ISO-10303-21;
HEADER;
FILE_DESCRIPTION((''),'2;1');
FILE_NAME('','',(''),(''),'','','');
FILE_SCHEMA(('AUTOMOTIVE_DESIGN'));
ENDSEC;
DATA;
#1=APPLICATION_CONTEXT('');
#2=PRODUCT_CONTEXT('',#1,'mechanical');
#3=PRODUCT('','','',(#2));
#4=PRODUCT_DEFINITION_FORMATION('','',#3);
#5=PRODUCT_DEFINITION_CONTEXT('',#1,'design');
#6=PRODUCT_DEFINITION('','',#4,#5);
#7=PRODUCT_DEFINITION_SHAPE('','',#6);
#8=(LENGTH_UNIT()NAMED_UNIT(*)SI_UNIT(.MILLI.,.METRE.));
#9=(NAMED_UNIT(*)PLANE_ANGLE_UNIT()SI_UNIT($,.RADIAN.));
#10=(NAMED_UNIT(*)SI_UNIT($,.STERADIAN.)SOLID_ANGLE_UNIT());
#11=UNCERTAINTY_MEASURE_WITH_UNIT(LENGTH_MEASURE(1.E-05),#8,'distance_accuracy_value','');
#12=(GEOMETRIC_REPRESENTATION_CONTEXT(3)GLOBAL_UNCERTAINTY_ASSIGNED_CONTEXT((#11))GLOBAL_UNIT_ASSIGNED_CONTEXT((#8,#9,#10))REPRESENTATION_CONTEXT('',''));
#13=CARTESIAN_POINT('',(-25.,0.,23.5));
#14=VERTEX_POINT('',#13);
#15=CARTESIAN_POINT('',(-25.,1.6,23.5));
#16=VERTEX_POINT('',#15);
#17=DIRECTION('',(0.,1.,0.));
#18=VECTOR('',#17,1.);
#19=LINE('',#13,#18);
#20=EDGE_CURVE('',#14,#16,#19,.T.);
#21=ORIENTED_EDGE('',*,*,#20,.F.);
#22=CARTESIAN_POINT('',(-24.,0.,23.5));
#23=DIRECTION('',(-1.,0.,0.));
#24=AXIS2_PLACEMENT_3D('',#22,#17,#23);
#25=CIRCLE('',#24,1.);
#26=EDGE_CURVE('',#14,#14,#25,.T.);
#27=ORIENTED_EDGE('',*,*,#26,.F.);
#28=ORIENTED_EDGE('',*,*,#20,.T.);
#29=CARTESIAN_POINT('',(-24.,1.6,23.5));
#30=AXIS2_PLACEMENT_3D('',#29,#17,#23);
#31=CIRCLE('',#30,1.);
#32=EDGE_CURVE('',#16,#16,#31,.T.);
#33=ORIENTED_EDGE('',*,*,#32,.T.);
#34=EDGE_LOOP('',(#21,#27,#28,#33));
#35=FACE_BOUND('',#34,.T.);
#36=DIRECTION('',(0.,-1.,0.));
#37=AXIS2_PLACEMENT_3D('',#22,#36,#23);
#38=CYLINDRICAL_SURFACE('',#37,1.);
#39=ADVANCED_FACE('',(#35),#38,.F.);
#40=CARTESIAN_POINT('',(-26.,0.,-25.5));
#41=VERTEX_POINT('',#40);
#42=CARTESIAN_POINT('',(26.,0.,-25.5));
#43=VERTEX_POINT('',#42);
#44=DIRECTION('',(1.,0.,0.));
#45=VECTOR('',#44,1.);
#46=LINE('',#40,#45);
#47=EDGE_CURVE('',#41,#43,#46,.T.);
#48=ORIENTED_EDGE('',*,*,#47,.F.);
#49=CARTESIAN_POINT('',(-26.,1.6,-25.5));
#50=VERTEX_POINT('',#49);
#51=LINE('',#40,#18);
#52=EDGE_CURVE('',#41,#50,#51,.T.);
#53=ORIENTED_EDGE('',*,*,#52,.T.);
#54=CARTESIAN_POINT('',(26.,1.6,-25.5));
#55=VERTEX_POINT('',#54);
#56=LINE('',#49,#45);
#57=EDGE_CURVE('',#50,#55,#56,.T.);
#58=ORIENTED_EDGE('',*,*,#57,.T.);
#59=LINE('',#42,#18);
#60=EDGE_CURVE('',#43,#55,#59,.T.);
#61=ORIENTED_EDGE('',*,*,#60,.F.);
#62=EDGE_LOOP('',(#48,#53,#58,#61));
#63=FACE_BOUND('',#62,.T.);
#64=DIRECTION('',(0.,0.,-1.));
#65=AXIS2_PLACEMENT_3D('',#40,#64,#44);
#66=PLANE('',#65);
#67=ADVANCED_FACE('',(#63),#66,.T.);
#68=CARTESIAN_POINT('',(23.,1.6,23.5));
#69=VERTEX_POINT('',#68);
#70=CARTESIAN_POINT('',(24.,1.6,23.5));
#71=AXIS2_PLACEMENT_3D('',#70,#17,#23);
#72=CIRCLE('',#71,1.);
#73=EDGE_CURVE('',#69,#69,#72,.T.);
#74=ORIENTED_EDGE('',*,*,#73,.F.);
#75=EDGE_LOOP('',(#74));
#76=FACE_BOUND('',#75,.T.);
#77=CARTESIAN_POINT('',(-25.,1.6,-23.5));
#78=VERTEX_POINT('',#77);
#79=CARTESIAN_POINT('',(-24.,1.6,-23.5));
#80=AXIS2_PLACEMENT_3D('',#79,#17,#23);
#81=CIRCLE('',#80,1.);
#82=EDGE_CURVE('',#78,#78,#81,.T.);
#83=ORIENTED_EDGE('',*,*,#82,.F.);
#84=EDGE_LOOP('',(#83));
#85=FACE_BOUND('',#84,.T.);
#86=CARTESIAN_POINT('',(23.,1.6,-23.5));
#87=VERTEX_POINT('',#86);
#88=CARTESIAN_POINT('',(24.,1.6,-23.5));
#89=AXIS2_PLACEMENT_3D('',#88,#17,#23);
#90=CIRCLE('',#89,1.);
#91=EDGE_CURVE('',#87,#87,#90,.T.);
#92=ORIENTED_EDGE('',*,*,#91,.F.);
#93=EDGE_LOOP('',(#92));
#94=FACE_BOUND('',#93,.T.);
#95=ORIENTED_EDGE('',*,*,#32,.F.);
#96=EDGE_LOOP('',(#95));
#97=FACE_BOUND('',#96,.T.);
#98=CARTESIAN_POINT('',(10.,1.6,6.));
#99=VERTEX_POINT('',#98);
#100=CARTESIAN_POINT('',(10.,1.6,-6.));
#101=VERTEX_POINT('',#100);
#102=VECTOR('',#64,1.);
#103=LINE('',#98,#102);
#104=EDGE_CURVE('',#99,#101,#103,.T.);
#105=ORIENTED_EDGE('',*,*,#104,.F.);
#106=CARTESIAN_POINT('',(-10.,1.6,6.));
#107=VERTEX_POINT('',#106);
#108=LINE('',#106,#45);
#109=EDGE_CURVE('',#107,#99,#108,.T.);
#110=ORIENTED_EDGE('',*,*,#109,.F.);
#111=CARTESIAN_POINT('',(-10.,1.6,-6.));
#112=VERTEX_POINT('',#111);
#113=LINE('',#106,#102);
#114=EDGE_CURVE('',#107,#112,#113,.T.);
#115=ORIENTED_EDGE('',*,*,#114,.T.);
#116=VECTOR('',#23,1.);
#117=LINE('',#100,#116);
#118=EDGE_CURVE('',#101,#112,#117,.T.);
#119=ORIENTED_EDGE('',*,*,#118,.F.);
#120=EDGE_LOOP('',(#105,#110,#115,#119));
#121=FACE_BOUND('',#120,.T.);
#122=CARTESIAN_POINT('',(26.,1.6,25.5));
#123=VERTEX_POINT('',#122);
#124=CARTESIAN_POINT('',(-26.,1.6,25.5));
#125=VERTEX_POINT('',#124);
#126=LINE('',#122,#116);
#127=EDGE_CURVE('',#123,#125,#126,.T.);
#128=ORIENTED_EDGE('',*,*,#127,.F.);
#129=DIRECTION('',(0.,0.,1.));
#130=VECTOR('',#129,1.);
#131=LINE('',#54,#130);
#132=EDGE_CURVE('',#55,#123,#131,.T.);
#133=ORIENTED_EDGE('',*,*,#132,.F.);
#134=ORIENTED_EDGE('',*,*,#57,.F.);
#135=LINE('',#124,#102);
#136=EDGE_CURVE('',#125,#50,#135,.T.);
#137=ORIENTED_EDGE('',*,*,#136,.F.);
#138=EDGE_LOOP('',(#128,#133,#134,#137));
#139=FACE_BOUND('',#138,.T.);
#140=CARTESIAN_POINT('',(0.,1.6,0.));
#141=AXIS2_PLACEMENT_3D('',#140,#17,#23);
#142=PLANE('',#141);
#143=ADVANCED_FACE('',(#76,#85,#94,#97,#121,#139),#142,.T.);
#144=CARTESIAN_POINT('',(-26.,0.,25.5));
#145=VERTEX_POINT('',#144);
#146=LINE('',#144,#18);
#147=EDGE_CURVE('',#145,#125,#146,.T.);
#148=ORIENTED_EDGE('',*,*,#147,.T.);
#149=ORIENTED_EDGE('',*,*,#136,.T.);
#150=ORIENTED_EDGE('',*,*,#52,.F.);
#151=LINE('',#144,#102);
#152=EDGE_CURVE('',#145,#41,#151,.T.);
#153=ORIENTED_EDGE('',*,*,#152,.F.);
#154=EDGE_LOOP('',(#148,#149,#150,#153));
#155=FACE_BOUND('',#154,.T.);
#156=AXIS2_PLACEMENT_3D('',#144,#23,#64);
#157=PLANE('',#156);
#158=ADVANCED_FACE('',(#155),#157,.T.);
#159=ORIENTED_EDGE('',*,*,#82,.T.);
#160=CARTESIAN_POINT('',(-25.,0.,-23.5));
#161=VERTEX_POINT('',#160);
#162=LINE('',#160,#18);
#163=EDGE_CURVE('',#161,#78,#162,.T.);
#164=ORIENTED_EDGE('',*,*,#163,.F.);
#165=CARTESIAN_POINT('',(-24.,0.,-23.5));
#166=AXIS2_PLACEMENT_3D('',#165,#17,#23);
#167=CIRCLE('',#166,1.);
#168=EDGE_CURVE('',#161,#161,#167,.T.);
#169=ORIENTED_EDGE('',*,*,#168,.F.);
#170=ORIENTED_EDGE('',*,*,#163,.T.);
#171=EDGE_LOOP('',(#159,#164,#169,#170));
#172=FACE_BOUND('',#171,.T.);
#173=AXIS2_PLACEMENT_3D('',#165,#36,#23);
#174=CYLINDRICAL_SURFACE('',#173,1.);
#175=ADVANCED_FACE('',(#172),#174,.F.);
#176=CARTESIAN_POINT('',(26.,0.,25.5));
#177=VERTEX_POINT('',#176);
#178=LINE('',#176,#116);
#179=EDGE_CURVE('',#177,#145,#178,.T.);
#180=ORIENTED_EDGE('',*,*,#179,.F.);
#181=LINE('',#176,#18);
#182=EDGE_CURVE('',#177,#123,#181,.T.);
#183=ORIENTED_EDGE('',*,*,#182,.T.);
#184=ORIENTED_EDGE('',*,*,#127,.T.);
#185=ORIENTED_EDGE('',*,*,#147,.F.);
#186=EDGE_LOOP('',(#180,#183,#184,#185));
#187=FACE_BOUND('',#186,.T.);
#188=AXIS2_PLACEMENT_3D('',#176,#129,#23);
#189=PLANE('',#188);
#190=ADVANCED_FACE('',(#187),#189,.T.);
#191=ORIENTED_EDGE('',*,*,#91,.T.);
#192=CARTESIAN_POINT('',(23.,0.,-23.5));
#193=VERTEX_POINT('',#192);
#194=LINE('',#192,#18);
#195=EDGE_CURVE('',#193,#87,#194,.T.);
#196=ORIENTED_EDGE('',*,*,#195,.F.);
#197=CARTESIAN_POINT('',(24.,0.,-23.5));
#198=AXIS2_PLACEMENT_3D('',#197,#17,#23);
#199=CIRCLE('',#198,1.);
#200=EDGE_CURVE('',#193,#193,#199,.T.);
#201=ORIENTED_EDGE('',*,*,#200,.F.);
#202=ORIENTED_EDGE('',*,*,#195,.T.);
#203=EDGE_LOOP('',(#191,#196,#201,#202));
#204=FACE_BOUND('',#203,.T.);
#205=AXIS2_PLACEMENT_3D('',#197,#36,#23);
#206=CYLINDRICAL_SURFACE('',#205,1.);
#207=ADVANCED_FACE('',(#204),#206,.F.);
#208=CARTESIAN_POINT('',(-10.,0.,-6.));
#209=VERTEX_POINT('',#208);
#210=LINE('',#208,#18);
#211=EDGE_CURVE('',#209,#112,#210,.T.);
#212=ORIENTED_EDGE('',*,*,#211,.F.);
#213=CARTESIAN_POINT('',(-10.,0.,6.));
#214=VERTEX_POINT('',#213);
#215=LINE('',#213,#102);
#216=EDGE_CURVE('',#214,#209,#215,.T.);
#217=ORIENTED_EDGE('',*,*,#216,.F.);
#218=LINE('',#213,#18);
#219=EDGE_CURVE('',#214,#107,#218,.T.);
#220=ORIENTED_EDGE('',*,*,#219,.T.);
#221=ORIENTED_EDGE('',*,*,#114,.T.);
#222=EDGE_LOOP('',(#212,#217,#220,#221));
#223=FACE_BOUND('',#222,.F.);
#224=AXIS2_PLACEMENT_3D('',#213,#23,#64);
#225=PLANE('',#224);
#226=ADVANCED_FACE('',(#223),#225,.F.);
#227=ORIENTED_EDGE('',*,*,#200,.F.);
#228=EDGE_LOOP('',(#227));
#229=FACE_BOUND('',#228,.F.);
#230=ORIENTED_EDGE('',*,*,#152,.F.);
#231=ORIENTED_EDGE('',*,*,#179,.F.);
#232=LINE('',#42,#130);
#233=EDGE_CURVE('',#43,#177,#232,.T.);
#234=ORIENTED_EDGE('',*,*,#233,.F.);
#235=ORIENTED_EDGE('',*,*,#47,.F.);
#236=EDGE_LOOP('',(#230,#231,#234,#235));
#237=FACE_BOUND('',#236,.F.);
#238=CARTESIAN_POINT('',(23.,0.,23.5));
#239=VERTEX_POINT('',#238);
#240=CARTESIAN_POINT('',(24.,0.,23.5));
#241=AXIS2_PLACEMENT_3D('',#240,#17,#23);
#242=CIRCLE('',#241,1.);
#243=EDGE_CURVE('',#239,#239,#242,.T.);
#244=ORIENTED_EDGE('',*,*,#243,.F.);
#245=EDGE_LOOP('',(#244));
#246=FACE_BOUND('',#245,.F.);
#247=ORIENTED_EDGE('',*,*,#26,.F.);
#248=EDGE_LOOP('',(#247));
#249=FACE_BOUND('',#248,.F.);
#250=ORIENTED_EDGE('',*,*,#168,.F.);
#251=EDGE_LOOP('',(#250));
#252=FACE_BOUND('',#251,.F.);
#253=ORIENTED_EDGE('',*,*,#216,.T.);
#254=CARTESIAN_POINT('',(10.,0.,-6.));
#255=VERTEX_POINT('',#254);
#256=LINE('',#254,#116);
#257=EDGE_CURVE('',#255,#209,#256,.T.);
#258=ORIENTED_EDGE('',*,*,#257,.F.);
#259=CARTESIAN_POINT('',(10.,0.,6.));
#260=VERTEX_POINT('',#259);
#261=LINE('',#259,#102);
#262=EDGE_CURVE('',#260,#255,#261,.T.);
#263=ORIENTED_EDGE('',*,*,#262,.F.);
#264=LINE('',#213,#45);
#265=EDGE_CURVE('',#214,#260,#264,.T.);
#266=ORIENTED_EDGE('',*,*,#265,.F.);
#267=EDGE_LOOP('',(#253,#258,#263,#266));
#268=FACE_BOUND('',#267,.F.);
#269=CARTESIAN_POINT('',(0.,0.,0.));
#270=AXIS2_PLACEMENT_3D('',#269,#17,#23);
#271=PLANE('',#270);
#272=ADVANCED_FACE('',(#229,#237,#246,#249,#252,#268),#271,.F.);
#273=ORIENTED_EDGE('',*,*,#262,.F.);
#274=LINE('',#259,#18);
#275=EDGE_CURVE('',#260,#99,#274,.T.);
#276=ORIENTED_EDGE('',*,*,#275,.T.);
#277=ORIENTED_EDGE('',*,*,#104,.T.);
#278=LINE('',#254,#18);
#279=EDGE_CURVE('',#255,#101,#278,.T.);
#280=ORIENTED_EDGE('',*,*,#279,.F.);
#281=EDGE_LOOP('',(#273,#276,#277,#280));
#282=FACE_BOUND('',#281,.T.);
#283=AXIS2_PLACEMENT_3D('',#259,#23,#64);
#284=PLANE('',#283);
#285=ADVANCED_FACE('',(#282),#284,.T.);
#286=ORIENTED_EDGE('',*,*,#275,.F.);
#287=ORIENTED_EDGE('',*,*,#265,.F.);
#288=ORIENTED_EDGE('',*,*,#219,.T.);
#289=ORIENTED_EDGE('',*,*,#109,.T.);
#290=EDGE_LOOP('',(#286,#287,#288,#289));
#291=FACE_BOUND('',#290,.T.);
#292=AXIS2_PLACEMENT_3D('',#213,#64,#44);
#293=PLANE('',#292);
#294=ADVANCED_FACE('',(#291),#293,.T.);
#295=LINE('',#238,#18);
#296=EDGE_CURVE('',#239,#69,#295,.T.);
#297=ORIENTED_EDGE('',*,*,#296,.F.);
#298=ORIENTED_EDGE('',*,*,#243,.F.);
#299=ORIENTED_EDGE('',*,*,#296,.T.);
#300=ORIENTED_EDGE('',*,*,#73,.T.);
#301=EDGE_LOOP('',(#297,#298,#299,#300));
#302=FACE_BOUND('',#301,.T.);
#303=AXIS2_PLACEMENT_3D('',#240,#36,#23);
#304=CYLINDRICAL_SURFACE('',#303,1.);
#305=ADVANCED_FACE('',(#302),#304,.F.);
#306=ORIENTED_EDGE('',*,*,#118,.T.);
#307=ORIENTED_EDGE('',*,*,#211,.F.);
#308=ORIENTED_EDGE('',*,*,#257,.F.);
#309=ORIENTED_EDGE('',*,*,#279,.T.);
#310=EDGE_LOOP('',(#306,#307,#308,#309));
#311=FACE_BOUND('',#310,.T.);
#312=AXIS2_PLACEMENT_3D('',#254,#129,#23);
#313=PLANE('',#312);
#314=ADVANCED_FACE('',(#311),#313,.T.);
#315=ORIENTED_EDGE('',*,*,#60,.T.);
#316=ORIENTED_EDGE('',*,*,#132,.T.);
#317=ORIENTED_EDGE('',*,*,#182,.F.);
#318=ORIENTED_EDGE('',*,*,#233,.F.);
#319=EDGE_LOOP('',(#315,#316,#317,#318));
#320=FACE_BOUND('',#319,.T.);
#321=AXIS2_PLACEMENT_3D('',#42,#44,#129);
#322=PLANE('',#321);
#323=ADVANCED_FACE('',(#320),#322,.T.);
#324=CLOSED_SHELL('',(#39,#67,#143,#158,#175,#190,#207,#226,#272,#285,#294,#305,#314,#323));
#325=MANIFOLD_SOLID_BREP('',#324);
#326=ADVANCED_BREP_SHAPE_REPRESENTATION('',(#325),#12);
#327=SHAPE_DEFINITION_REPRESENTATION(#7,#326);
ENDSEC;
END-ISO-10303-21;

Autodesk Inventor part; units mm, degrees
ref_plane "YZ Plane" through (0, 0, 0) normal (1, 0, 0) x (0, 1, 0)
ref_plane "XZ Plane" through (0, 0, 0) normal (0, 1, 0) x (-1, 0, 0)
ref_plane "XY Plane" through (0, 0, 0) normal (0, 0, 1) x (1, 0, 0)
sketch "Sketch2" plane through (0, 0, 0) normal (0, 1, 0) x (-1, 0, 0)
  line L0 (-26, 25.5) -> (26, 25.5)
  line L1 (26, 25.5) -> (26, -25.5)
  line L2 (26, -25.5) -> (-26, -25.5)
  line L3 (-26, -25.5) -> (-26, 25.5)
  line L4 (-26, 25.5) -> (26, -25.5) construction
  line L5 (26, 25.5) -> (-26, -25.5) construction
  circle A0 centre (24, 23.5) radius 1
  circle A1 centre (24, -23.5) radius 1
  circle A2 centre (-24, 23.5) radius 1
  circle A3 centre (-24, -23.5) radius 1
  line L6 (10, 6) -> (-10, 6)
  line L7 (-10, -6) -> (10, -6)
  line L8 (10, 6) -> (-10, -6) construction
  line L9 (-10, 6) -> (10, -6) construction
  line L10 (10, 6) -> (10, -6)
  line L11 (-10, 6) -> (-10, -6)
  point P0 (0, 0)
  dimension "d2" = 52
  dimension "d3" = 51
  dimension "d4" = 2
  dimension "d5" = 2
  dimension "d6" = 2
  dimension "d9" = 47
  dimension "d12" = 48
  dimension "d17" = 20
  dimension "d18" = 12
extrude "Extrusion2" add sketch "Sketch2" along normal blind 1.6
equation "\"d5\" = d4"
equation "\"d6\" = d4"
properties part number "rapoukMotherboardConnectorv0"
